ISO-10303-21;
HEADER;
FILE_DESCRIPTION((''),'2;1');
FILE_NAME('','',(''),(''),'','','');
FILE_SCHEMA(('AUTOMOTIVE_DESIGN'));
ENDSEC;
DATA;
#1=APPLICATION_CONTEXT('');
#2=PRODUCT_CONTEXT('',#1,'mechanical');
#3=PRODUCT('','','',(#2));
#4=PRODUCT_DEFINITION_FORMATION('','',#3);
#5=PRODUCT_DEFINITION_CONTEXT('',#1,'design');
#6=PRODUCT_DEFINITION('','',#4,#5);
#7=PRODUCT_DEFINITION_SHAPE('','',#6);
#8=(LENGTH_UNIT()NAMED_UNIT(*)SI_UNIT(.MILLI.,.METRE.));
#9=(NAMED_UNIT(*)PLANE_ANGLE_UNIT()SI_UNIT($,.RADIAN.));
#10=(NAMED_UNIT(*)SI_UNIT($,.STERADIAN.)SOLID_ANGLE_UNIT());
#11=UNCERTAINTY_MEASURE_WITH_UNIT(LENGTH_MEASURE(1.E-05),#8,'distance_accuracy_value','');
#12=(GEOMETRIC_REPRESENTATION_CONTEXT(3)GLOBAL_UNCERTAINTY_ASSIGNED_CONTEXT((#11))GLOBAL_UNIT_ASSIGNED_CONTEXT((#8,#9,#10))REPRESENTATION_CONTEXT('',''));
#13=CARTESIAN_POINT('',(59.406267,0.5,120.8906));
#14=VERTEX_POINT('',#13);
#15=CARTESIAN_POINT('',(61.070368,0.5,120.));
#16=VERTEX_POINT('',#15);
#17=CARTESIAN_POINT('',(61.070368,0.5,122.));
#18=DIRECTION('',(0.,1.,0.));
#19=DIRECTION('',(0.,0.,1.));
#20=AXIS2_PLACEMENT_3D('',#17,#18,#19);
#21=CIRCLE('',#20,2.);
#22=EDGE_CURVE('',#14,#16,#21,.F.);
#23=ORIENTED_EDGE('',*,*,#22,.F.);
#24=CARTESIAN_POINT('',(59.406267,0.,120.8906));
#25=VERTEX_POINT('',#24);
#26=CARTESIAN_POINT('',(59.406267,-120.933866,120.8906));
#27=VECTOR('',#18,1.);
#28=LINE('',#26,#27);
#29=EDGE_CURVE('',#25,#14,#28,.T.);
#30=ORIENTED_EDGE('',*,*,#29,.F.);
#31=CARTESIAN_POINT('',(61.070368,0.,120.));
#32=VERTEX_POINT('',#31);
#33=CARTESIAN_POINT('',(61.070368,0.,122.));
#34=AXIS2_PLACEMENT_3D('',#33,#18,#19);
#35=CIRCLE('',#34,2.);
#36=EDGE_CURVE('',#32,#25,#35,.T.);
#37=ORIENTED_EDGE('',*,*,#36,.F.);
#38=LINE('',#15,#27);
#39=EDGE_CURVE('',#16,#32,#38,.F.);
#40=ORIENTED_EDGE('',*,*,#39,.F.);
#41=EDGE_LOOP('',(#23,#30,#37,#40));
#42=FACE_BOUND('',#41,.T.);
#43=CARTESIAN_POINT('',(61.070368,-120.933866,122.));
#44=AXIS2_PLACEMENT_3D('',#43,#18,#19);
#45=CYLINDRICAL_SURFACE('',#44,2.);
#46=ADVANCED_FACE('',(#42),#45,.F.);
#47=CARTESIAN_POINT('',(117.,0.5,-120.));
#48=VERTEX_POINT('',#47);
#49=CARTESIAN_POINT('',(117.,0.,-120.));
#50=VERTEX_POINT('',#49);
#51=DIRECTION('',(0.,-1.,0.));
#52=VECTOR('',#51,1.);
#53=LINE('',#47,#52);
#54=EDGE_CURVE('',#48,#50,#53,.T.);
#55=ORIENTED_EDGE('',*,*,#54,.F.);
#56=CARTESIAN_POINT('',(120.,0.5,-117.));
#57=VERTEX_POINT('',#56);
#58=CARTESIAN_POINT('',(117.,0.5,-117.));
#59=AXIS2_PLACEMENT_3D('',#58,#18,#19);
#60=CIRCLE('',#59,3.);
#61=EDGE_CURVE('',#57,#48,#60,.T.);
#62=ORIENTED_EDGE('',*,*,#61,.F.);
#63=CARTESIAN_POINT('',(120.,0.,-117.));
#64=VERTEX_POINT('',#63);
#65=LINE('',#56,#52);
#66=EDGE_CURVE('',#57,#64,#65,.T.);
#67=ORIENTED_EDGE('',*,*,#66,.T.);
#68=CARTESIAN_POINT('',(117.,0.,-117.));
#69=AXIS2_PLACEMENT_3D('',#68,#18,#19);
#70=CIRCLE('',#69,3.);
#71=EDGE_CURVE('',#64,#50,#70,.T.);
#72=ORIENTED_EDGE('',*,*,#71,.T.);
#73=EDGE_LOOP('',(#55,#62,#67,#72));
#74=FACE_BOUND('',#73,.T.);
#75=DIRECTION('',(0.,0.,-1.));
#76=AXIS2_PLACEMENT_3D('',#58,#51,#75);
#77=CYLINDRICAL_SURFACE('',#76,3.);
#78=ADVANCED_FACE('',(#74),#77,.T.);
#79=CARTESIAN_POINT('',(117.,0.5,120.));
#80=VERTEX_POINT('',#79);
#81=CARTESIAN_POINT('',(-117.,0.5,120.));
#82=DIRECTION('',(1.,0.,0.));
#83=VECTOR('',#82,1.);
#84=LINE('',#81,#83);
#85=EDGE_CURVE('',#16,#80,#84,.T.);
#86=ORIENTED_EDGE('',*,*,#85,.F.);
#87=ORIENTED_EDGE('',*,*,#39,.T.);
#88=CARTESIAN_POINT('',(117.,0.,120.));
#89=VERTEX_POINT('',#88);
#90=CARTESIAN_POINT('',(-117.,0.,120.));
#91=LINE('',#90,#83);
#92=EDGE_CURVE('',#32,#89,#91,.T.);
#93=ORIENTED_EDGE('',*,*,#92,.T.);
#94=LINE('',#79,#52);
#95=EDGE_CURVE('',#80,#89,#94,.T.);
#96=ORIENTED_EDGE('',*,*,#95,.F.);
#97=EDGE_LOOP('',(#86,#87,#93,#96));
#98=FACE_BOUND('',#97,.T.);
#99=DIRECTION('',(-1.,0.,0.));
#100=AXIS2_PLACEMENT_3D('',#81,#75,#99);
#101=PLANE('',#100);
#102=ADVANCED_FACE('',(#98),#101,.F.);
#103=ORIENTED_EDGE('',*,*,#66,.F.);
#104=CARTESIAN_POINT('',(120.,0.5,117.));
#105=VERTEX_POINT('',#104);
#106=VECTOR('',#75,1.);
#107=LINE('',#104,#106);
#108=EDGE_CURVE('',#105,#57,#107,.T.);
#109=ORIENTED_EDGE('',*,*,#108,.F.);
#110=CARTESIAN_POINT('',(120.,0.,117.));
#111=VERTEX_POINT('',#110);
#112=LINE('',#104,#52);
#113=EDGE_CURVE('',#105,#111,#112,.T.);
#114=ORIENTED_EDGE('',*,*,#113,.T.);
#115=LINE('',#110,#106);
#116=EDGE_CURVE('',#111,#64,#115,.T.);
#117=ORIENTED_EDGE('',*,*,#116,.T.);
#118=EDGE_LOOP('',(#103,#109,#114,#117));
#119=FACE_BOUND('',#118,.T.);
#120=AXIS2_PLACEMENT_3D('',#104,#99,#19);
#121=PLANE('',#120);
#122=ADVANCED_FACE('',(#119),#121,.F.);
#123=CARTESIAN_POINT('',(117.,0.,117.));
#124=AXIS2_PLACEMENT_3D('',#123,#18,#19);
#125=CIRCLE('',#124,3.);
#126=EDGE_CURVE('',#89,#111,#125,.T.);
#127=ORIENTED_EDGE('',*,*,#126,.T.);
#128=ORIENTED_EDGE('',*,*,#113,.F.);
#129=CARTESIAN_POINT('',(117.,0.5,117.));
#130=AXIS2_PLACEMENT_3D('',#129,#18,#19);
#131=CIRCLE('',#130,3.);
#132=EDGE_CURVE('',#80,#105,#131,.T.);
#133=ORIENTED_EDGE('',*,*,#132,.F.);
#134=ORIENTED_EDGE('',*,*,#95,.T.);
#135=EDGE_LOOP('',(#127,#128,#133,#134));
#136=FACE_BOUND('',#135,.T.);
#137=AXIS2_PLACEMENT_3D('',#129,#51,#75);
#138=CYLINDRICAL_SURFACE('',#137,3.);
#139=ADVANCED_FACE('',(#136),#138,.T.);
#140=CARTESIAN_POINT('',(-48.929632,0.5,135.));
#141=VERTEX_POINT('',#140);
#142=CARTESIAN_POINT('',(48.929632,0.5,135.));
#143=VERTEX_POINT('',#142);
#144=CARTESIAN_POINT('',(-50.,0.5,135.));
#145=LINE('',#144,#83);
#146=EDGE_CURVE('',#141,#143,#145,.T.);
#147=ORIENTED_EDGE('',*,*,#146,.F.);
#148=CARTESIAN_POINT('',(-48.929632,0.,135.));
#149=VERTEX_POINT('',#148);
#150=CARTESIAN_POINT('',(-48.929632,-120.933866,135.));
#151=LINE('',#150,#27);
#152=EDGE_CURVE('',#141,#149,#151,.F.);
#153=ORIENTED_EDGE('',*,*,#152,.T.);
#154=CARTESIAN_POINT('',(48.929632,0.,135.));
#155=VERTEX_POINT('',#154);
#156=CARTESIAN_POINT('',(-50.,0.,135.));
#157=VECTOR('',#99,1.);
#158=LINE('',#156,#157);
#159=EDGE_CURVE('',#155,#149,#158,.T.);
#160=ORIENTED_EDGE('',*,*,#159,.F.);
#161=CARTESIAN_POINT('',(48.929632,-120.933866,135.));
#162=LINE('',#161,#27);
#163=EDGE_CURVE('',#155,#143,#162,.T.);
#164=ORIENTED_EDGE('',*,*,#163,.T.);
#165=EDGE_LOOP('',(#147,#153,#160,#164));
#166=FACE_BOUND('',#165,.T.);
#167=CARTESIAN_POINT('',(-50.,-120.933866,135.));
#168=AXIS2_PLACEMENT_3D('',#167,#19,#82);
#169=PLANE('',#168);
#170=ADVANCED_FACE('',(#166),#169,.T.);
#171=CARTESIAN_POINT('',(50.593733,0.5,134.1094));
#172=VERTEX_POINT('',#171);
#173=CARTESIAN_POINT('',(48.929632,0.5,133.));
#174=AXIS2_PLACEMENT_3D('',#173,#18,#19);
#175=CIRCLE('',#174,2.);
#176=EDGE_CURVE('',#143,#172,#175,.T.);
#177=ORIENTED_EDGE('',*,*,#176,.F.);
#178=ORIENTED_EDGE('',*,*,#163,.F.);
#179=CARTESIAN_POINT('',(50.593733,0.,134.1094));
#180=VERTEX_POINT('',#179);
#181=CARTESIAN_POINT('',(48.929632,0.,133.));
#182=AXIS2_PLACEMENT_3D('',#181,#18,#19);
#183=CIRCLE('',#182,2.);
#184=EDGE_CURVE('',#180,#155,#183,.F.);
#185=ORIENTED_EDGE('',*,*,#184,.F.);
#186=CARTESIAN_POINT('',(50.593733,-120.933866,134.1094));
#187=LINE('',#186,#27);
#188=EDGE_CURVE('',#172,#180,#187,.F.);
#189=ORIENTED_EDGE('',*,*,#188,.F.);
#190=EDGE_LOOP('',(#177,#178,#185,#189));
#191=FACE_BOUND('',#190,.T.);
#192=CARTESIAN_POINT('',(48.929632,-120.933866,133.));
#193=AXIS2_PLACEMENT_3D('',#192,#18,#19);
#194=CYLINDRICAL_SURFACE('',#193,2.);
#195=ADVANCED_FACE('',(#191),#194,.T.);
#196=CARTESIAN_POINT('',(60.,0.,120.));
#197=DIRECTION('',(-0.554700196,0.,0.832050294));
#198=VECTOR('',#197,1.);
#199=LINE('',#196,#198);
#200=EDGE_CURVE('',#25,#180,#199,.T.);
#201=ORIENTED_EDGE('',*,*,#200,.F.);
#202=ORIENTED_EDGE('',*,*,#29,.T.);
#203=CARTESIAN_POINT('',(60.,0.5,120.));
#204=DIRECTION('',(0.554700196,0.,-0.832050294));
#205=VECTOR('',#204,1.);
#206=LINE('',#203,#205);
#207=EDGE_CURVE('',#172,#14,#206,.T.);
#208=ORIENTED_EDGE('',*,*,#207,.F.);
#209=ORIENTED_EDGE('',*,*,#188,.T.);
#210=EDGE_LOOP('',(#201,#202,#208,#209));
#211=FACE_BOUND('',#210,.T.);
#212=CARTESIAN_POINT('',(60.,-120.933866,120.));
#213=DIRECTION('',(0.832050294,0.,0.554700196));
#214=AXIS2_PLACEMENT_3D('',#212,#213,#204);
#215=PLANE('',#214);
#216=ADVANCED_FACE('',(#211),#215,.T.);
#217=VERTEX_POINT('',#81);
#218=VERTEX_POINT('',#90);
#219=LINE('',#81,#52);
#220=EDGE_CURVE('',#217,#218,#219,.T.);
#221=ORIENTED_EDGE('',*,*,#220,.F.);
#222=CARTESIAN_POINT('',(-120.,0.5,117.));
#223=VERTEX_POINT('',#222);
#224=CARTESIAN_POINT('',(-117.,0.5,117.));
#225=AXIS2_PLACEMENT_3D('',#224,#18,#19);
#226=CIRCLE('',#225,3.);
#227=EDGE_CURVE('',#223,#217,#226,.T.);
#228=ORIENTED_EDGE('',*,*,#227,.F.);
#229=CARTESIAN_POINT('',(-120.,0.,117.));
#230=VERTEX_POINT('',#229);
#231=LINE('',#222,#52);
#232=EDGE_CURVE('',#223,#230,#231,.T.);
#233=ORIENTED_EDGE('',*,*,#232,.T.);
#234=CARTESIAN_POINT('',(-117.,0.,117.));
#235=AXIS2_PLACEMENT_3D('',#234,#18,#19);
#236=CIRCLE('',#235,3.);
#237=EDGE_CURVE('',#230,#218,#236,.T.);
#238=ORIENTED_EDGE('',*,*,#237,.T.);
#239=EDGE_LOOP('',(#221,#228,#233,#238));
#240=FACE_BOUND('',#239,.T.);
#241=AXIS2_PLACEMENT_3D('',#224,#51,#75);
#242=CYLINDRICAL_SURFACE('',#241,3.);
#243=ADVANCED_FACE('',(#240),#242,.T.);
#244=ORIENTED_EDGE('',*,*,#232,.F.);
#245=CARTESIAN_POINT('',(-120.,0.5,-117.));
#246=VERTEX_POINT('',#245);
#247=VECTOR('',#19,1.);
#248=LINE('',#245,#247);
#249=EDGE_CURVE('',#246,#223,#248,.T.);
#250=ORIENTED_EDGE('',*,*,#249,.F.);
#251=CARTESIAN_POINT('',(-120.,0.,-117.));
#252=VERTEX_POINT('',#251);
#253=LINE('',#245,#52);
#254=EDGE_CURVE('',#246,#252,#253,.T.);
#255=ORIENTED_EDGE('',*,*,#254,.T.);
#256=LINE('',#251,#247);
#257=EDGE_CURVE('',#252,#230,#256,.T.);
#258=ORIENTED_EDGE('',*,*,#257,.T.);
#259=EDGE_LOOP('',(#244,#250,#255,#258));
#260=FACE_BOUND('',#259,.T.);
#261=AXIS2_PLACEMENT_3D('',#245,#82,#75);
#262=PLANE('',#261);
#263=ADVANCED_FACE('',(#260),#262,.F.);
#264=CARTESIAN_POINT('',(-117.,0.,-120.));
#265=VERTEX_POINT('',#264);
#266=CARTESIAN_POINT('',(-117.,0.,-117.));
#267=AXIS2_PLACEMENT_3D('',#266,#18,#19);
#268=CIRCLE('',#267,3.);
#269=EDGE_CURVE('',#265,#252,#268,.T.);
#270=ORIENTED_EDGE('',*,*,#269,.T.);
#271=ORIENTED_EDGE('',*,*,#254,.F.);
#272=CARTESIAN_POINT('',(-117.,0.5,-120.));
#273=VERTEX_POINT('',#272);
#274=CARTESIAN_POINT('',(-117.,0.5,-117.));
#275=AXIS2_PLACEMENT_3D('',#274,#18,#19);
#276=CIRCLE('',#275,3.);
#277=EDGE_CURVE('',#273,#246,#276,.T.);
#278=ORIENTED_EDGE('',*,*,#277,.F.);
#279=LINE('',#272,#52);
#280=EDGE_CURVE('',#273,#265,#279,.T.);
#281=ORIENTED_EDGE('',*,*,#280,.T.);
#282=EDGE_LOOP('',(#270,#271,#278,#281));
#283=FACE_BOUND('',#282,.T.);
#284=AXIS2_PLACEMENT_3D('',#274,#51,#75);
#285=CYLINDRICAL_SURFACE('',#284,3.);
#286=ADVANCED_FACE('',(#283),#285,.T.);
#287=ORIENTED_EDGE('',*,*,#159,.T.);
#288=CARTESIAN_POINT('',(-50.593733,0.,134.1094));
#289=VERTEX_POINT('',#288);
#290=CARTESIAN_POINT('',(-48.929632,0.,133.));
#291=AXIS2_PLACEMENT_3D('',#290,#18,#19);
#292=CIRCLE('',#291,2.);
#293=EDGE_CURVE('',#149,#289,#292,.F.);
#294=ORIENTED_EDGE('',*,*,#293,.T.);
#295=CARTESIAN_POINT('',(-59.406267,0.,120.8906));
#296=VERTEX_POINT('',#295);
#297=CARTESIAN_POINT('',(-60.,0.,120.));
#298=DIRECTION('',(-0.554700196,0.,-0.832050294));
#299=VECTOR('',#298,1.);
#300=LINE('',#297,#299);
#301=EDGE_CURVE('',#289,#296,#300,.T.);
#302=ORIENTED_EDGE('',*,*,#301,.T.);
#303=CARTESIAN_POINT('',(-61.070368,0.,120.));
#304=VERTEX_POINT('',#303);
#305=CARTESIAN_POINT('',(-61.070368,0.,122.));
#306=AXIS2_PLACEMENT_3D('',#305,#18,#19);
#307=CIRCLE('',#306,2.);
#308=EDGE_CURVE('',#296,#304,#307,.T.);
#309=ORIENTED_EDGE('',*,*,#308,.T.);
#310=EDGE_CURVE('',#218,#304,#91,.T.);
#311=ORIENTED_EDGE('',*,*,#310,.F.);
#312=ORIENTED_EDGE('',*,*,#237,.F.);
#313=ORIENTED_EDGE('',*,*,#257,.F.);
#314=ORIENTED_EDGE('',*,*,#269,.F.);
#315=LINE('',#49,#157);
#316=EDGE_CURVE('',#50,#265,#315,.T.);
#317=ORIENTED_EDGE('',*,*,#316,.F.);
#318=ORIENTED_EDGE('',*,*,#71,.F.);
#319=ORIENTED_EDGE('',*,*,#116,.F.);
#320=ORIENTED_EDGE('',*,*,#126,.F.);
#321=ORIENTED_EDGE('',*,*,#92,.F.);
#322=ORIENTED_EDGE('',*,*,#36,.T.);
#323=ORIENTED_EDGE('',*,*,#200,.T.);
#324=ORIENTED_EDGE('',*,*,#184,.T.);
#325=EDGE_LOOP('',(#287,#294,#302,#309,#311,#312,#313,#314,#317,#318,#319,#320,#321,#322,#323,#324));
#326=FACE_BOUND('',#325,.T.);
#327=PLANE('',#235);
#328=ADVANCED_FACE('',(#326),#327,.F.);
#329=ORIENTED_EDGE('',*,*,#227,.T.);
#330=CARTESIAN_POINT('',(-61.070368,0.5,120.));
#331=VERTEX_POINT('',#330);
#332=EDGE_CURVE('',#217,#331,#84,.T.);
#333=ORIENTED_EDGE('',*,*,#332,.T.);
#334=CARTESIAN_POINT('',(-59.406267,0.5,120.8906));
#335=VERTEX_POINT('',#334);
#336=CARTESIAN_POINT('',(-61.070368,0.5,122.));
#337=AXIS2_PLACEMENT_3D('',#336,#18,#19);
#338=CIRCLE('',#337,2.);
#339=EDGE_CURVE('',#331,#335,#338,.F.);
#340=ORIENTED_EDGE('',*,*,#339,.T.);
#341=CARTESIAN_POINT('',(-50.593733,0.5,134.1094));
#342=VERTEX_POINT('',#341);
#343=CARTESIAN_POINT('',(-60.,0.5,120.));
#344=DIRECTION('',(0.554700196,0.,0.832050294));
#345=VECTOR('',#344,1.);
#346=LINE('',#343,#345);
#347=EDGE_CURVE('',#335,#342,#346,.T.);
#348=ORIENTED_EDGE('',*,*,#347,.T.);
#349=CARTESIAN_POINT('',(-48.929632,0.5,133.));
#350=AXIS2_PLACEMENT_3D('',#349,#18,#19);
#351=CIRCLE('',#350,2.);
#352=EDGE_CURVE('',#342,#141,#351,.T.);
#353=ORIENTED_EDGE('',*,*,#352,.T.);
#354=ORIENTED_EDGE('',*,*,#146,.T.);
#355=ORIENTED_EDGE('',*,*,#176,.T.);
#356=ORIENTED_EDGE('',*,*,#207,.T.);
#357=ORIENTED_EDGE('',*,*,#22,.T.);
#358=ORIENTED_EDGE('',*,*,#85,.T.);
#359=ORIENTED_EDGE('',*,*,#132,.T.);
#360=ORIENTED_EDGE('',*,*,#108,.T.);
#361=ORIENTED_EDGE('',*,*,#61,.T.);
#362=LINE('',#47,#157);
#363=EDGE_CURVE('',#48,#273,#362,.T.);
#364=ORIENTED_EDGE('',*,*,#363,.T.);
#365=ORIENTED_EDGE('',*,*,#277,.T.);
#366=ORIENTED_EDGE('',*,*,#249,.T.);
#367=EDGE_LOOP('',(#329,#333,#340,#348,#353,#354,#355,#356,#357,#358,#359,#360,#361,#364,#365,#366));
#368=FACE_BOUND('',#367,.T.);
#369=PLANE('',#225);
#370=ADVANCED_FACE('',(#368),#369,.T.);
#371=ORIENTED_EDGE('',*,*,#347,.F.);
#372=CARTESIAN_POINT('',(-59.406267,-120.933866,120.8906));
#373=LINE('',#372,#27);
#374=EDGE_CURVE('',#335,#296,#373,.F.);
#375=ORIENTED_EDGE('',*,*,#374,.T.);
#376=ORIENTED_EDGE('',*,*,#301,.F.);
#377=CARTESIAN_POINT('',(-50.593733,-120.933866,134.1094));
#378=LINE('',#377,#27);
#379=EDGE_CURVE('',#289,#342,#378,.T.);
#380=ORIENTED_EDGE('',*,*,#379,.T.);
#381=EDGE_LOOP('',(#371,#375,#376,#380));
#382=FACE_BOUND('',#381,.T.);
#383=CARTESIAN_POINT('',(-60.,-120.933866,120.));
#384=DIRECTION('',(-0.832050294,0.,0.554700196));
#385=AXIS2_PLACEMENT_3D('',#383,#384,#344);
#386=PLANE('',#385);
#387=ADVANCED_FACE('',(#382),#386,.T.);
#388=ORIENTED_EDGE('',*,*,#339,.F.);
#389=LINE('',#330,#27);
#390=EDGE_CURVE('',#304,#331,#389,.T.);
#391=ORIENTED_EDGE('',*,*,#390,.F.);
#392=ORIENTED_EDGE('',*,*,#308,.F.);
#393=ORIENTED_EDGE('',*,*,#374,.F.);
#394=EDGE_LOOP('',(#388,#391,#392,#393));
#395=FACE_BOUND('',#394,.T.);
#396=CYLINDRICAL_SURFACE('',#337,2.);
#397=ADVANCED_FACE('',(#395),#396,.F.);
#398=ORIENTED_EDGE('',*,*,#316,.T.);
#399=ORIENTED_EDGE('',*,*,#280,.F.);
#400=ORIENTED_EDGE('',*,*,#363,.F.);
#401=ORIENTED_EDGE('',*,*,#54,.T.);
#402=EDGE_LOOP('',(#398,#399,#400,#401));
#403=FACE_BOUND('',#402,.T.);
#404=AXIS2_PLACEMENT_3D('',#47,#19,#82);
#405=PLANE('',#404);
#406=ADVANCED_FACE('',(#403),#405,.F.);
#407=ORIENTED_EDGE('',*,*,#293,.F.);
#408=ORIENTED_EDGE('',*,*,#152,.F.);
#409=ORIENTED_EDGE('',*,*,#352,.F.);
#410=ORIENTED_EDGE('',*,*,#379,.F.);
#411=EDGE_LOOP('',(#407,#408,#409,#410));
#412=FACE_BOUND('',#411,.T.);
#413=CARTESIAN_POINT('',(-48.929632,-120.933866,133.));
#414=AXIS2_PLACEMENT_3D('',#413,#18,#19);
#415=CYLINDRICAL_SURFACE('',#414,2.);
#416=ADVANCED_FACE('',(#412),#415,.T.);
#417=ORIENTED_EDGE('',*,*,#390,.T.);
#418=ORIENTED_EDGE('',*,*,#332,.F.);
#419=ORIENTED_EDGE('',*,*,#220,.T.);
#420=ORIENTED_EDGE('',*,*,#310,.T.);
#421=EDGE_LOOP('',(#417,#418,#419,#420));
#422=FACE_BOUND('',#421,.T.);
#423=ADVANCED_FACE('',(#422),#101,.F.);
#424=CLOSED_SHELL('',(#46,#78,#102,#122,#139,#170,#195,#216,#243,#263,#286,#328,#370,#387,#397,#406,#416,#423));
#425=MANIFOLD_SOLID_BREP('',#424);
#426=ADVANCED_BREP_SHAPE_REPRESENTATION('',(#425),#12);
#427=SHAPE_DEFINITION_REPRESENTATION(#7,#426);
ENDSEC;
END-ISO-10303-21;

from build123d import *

# Parameters (mm, degrees)
AUFSATZ_LINEAR_AUSTRAGEN1_DEPTH = 0.5
BOSS_EXTRUDE1_DEPTH             = 0.5
FILLET1_R                       = 2


with BuildPart() as part:
    # Skizze1 → Aufsatz-Linear austragen1 (new body)
    with BuildSketch(Plane(origin=(0, 0, 0), x_dir=(1, 0, 0), z_dir=(0, 1, 0))):
        with BuildLine():
            Line((-117, -120), (117, -120))
            ThreePointArc((117, -120), (119.121320344, -119.121320344), (120, -117))
            Line((120, -117), (120, 117))
            ThreePointArc((120, 117), (119.121320344, 119.121320344), (117, 120))
            Line((117, 120), (-117, 120))
            ThreePointArc((-117, 120), (-119.121320344, 119.121320344), (-120, 117))
            Line((-120, 117), (-120, -117))
            ThreePointArc((-120, -117), (-119.121320344, -119.121320344), (-117, -120))
        make_face()
    extrude(amount=AUFSATZ_LINEAR_AUSTRAGEN1_DEPTH)

    # Sketch1 → Boss-Extrude1 (add)
    with BuildSketch(Plane(origin=(0, 0.5, 0), x_dir=(1, 0, 0), z_dir=(0, 1, 0))):
        Polygon((-60, -120), (-50, -135), (50, -135), (60, -120), align=None)
    extrude(amount=-BOSS_EXTRUDE1_DEPTH)

    # Fillet1
    fillet1_edges = [part.edges().sort_by_distance(p)[0] for p in [
        (-60, 0.25, 120),
        (60, 0.25, 120),
        (50, 0.25, 135),
        (-50, 0.25, 135),
    ]]
    fillet(fillet1_edges, radius=FILLET1_R)


solid = part.part
